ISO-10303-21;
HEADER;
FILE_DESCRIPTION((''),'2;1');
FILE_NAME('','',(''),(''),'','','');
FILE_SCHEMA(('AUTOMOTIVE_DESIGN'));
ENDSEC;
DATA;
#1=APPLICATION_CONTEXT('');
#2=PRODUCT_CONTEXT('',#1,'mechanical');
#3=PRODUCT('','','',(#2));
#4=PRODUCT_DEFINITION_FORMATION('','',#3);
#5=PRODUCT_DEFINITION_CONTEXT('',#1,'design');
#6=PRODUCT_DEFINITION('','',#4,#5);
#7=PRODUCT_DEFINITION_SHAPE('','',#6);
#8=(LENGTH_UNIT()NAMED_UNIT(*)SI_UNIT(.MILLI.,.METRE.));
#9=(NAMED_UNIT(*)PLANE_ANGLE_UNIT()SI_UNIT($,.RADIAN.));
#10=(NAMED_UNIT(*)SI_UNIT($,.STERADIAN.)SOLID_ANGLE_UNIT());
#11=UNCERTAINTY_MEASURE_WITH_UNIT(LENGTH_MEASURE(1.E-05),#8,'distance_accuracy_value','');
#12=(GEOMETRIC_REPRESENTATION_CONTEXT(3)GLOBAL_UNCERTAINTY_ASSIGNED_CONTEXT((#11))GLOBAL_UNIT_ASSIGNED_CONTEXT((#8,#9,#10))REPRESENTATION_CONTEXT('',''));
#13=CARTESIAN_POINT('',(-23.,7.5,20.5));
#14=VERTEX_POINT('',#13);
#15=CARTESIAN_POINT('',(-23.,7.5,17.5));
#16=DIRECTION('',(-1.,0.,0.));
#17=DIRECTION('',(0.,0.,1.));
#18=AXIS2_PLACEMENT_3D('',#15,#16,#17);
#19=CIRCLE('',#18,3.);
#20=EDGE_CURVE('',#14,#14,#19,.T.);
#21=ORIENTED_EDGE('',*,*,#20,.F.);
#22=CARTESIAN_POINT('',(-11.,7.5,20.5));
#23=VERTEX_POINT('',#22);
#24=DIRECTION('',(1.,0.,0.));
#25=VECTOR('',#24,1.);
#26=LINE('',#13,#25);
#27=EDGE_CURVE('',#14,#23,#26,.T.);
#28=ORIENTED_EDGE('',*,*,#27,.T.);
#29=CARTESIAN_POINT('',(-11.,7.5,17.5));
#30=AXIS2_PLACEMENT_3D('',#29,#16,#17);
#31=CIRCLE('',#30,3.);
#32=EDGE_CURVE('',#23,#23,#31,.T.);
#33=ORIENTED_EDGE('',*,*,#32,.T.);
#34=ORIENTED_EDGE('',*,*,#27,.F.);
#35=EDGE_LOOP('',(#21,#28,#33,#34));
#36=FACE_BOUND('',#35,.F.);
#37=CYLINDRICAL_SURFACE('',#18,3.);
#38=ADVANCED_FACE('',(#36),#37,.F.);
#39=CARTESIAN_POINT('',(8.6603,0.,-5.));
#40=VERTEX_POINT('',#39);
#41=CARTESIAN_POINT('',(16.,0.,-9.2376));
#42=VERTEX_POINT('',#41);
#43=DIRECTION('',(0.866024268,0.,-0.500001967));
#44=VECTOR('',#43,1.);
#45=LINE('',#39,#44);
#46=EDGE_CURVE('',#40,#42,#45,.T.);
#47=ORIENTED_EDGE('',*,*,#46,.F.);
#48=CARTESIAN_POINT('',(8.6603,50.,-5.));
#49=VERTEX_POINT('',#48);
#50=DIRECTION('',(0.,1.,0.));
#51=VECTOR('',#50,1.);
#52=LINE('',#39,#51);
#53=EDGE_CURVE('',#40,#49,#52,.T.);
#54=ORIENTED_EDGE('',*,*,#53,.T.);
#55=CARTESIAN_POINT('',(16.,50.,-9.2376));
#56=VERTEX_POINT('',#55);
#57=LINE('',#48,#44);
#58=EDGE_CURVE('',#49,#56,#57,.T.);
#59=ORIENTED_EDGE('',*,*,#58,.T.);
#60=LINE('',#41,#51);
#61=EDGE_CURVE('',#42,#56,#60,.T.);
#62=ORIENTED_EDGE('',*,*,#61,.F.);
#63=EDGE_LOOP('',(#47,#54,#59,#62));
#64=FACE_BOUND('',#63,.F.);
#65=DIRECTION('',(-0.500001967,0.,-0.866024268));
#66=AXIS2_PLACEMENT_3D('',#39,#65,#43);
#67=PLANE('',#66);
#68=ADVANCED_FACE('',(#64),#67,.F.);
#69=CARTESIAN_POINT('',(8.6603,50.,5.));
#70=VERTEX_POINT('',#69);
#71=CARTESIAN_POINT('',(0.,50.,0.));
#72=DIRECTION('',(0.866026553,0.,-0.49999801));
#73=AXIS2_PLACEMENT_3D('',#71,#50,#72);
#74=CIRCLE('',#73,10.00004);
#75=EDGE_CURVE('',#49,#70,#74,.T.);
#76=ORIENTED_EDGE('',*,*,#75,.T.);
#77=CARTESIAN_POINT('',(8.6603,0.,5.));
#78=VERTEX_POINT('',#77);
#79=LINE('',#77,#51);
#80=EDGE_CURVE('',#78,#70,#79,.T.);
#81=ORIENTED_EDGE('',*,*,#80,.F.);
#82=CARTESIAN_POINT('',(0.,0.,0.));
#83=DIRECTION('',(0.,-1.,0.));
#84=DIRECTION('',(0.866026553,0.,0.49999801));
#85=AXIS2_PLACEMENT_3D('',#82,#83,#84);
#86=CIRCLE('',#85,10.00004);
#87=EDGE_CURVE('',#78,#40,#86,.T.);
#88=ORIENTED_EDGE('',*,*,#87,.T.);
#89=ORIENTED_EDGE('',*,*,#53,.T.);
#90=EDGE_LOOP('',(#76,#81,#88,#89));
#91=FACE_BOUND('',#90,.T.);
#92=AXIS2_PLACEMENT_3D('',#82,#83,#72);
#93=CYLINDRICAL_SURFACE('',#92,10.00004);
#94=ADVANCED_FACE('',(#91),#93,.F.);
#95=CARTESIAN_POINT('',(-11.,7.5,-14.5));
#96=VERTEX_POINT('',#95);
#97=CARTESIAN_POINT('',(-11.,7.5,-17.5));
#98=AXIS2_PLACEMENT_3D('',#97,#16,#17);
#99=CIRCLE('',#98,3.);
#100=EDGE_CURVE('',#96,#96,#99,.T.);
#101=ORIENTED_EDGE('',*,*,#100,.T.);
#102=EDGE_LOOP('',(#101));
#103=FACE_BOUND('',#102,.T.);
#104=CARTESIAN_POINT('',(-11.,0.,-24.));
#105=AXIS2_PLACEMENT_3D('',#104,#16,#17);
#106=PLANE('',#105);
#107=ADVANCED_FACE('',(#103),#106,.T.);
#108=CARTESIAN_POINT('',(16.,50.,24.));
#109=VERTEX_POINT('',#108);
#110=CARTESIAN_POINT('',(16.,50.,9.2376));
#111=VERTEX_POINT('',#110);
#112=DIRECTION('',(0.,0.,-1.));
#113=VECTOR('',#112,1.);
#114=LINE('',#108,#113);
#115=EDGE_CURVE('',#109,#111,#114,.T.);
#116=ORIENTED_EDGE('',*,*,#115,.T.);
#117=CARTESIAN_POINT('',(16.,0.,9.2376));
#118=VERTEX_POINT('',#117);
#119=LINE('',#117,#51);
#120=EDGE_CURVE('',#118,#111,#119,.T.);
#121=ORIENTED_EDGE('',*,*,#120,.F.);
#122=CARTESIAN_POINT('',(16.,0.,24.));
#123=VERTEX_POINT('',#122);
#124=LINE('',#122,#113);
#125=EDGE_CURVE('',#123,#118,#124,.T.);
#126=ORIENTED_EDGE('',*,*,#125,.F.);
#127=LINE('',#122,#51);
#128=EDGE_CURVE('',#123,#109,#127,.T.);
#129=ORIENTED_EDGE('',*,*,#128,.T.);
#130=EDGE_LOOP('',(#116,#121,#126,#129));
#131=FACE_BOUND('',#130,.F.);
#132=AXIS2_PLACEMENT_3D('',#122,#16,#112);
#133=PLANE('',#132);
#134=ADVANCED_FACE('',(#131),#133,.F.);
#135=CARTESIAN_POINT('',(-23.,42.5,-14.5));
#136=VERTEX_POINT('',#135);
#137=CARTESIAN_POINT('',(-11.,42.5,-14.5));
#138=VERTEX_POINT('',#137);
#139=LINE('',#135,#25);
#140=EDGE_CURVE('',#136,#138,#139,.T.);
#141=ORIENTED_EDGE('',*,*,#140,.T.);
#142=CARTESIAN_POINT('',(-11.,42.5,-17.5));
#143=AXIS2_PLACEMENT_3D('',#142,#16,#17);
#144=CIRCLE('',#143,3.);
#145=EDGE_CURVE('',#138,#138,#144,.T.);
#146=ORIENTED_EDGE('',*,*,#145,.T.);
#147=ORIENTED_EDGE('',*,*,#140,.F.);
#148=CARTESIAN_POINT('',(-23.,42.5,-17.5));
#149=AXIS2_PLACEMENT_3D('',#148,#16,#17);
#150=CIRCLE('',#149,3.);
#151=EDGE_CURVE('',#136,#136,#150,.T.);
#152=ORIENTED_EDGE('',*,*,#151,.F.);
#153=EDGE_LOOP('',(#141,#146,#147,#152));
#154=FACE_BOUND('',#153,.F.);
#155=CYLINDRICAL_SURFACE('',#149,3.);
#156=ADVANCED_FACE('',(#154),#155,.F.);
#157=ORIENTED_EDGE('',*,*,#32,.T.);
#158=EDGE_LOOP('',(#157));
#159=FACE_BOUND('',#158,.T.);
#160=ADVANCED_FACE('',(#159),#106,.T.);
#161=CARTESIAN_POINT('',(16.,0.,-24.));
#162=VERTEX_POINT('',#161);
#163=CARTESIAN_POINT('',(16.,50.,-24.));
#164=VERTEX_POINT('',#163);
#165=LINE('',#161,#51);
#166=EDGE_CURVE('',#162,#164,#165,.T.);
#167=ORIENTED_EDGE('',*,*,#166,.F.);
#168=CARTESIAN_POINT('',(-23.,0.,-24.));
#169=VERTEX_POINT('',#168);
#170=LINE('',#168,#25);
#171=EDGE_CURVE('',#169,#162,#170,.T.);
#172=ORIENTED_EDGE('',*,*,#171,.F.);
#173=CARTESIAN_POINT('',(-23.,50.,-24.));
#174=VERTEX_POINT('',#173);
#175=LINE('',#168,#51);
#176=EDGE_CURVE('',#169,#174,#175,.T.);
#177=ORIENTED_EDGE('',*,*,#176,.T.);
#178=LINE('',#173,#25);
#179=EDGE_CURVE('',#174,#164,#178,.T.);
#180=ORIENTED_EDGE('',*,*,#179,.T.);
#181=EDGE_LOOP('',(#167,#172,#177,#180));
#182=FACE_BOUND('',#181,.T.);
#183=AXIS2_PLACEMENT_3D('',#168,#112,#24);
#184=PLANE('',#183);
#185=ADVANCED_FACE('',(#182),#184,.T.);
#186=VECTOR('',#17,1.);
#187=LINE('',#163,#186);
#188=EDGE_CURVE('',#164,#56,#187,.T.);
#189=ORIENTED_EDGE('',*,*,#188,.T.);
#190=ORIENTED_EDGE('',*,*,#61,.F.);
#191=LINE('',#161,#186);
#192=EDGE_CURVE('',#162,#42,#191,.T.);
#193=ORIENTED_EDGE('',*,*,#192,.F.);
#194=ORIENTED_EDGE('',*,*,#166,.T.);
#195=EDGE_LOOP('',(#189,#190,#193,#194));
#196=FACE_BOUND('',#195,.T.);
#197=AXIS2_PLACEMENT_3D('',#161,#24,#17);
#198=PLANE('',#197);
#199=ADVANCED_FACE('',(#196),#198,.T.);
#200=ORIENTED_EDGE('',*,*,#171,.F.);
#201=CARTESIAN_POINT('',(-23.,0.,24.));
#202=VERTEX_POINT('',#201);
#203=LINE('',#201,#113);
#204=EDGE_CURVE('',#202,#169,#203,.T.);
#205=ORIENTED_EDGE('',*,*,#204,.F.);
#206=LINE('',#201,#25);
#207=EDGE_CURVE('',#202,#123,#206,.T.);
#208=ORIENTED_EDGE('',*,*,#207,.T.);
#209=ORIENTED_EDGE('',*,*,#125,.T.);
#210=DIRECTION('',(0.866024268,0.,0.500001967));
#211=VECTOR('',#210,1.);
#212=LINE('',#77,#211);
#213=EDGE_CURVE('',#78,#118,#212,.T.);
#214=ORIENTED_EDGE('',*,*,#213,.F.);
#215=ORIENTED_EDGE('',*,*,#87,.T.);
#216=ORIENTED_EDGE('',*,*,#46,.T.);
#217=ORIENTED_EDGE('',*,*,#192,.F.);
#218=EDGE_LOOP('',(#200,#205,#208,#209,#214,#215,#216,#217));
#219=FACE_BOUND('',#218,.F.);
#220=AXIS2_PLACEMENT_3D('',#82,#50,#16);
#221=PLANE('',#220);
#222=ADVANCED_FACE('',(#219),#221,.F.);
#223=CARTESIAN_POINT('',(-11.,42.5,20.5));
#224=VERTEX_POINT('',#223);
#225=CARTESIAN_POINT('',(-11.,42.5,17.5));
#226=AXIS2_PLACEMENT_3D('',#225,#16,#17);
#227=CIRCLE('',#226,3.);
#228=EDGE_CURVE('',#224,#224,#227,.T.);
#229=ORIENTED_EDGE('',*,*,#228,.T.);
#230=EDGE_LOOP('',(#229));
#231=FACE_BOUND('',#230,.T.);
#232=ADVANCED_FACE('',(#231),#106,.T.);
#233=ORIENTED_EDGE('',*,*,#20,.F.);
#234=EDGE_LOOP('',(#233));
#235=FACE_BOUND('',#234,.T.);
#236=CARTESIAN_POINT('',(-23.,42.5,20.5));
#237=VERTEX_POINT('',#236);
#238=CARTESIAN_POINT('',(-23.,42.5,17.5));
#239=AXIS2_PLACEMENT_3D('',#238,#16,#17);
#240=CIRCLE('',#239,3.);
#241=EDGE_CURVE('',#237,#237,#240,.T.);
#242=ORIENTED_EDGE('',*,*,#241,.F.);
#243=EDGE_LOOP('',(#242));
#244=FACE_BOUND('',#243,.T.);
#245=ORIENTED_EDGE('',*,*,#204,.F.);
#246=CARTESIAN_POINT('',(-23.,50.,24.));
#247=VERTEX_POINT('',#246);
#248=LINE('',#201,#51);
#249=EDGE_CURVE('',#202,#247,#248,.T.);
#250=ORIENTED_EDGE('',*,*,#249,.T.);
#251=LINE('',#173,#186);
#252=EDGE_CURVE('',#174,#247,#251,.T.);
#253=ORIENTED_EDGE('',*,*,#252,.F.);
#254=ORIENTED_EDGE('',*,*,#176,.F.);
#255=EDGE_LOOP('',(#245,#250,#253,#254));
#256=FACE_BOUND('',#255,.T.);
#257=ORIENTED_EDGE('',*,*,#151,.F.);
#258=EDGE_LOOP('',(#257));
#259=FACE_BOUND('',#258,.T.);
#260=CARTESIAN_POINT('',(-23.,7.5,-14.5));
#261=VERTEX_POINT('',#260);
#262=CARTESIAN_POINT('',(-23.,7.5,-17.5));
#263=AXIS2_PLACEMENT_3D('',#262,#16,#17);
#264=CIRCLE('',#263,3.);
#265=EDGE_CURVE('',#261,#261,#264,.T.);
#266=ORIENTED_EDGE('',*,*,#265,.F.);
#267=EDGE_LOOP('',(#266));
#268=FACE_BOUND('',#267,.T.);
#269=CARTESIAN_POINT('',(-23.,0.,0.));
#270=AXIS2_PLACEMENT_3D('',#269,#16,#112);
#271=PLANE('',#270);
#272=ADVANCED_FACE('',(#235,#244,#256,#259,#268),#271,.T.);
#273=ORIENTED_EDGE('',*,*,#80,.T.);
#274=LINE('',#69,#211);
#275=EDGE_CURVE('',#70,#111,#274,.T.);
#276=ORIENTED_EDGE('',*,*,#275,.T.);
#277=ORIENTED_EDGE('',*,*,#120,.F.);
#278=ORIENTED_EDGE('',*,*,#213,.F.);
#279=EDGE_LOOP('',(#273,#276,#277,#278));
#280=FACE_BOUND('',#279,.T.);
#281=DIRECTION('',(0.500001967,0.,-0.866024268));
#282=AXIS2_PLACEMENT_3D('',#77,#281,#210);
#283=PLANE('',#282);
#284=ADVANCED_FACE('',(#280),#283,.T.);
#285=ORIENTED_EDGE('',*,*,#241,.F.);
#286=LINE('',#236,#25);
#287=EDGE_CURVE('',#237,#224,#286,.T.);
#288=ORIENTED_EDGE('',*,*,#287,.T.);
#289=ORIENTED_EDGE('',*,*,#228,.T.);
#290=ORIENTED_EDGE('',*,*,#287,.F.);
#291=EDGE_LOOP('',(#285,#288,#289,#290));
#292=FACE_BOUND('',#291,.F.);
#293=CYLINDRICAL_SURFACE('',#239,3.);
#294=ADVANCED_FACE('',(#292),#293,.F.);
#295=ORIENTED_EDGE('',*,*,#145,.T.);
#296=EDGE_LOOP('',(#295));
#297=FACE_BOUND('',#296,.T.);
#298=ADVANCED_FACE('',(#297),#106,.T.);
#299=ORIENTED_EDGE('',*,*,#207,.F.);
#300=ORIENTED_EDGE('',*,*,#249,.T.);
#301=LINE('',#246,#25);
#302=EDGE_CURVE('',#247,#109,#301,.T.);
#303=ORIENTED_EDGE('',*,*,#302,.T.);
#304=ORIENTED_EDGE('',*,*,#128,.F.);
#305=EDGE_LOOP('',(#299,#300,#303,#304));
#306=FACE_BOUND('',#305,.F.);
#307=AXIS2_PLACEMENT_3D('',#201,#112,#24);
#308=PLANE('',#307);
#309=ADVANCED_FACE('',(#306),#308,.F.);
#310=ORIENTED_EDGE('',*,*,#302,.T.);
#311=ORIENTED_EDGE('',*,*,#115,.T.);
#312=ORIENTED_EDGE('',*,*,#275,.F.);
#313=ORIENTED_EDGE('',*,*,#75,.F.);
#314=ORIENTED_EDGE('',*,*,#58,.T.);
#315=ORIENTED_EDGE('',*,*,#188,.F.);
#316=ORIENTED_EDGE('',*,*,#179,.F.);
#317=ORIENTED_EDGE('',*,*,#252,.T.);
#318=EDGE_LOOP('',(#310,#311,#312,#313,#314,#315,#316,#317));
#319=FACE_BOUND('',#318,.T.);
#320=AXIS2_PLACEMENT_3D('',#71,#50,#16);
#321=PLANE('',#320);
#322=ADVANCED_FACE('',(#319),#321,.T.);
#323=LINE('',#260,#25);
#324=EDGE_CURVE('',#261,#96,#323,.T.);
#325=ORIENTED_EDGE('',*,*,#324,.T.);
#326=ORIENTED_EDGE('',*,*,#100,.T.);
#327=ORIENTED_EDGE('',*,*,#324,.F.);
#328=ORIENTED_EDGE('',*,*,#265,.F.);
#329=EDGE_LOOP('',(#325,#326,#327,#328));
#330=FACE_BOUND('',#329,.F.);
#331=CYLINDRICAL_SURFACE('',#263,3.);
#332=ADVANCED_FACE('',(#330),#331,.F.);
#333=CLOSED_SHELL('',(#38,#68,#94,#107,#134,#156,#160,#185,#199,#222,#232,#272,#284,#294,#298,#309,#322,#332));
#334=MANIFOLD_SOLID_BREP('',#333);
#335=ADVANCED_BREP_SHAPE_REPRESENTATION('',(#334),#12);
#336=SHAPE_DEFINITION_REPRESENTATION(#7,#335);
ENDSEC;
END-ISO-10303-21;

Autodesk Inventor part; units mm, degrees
ref_plane "YZ Plane" through (0, 0, 0) normal (1, 0, 0) x (0, 1, 0)
ref_plane "XZ Plane" through (0, 0, 0) normal (0, 1, 0) x (-1, 0, 0)
ref_plane "XY Plane" through (0, 0, 0) normal (0, 0, 1) x (1, 0, 0)
sketch "Sketch1" plane through (0, 0, 0) normal (0, 1, 0) x (-1, 0, 0)
  arc A0 (-8.6603, -5) -> (-8.6603, 5) centre (0, 0) ccw
  line L0 (-8.6603, -5) -> (-16, -9.2376)
  line L1 (-8.6603, 5) -> (-16, 9.2376)
  line L2 (0, 0) -> (23, 0)
  line L3 (23, 0) -> (23, -24)
  line L4 (23, 0) -> (23, 24)
  line L5 (23, -24) -> (-16, -24)
  line L6 (-16, -24) -> (-16, -9.2376)
  line L7 (23, 24) -> (-16, 24)
  line L8 (-16, 24) -> (-16, 9.2376)
  dimension "d0" = 20
  dimension "d2" = 23
  dimension "d3" = 24
  dimension "d4" = 24
  dimension "d5" = 39
extrude "Extrusion1" add sketch "Sketch1" along normal blind 50
sketch "Sketch2" plane through (-23, 0, -24) normal (-1, 0, 0) x (0, 0, 1)
  line L0 (48, 0) -> (48, 50) projected
  line L1 (14.7624, 0) -> (0, 0) projected
  line L2 (48, 0) -> (33.2376, 0) projected
  line L3 (14.7624, 50) -> (0, 50) projected
  circle A0 centre (6.5, 42.5) radius 3
  circle A1 centre (6.5, 7.5) radius 3
  circle A2 centre (41.5, 7.5) radius 3
  circle A3 centre (41.5, 42.5) radius 3
  point P0 (24, 0)
  point P1 (24, 25)
  dimension "d10" = 6
  dimension "d11" = 6
  dimension "d12" = 6
  dimension "d13" = 6
extrude "Extrusion2" cut sketch "Sketch2" against normal blind 12
properties part number "Rodamiento lineal"
